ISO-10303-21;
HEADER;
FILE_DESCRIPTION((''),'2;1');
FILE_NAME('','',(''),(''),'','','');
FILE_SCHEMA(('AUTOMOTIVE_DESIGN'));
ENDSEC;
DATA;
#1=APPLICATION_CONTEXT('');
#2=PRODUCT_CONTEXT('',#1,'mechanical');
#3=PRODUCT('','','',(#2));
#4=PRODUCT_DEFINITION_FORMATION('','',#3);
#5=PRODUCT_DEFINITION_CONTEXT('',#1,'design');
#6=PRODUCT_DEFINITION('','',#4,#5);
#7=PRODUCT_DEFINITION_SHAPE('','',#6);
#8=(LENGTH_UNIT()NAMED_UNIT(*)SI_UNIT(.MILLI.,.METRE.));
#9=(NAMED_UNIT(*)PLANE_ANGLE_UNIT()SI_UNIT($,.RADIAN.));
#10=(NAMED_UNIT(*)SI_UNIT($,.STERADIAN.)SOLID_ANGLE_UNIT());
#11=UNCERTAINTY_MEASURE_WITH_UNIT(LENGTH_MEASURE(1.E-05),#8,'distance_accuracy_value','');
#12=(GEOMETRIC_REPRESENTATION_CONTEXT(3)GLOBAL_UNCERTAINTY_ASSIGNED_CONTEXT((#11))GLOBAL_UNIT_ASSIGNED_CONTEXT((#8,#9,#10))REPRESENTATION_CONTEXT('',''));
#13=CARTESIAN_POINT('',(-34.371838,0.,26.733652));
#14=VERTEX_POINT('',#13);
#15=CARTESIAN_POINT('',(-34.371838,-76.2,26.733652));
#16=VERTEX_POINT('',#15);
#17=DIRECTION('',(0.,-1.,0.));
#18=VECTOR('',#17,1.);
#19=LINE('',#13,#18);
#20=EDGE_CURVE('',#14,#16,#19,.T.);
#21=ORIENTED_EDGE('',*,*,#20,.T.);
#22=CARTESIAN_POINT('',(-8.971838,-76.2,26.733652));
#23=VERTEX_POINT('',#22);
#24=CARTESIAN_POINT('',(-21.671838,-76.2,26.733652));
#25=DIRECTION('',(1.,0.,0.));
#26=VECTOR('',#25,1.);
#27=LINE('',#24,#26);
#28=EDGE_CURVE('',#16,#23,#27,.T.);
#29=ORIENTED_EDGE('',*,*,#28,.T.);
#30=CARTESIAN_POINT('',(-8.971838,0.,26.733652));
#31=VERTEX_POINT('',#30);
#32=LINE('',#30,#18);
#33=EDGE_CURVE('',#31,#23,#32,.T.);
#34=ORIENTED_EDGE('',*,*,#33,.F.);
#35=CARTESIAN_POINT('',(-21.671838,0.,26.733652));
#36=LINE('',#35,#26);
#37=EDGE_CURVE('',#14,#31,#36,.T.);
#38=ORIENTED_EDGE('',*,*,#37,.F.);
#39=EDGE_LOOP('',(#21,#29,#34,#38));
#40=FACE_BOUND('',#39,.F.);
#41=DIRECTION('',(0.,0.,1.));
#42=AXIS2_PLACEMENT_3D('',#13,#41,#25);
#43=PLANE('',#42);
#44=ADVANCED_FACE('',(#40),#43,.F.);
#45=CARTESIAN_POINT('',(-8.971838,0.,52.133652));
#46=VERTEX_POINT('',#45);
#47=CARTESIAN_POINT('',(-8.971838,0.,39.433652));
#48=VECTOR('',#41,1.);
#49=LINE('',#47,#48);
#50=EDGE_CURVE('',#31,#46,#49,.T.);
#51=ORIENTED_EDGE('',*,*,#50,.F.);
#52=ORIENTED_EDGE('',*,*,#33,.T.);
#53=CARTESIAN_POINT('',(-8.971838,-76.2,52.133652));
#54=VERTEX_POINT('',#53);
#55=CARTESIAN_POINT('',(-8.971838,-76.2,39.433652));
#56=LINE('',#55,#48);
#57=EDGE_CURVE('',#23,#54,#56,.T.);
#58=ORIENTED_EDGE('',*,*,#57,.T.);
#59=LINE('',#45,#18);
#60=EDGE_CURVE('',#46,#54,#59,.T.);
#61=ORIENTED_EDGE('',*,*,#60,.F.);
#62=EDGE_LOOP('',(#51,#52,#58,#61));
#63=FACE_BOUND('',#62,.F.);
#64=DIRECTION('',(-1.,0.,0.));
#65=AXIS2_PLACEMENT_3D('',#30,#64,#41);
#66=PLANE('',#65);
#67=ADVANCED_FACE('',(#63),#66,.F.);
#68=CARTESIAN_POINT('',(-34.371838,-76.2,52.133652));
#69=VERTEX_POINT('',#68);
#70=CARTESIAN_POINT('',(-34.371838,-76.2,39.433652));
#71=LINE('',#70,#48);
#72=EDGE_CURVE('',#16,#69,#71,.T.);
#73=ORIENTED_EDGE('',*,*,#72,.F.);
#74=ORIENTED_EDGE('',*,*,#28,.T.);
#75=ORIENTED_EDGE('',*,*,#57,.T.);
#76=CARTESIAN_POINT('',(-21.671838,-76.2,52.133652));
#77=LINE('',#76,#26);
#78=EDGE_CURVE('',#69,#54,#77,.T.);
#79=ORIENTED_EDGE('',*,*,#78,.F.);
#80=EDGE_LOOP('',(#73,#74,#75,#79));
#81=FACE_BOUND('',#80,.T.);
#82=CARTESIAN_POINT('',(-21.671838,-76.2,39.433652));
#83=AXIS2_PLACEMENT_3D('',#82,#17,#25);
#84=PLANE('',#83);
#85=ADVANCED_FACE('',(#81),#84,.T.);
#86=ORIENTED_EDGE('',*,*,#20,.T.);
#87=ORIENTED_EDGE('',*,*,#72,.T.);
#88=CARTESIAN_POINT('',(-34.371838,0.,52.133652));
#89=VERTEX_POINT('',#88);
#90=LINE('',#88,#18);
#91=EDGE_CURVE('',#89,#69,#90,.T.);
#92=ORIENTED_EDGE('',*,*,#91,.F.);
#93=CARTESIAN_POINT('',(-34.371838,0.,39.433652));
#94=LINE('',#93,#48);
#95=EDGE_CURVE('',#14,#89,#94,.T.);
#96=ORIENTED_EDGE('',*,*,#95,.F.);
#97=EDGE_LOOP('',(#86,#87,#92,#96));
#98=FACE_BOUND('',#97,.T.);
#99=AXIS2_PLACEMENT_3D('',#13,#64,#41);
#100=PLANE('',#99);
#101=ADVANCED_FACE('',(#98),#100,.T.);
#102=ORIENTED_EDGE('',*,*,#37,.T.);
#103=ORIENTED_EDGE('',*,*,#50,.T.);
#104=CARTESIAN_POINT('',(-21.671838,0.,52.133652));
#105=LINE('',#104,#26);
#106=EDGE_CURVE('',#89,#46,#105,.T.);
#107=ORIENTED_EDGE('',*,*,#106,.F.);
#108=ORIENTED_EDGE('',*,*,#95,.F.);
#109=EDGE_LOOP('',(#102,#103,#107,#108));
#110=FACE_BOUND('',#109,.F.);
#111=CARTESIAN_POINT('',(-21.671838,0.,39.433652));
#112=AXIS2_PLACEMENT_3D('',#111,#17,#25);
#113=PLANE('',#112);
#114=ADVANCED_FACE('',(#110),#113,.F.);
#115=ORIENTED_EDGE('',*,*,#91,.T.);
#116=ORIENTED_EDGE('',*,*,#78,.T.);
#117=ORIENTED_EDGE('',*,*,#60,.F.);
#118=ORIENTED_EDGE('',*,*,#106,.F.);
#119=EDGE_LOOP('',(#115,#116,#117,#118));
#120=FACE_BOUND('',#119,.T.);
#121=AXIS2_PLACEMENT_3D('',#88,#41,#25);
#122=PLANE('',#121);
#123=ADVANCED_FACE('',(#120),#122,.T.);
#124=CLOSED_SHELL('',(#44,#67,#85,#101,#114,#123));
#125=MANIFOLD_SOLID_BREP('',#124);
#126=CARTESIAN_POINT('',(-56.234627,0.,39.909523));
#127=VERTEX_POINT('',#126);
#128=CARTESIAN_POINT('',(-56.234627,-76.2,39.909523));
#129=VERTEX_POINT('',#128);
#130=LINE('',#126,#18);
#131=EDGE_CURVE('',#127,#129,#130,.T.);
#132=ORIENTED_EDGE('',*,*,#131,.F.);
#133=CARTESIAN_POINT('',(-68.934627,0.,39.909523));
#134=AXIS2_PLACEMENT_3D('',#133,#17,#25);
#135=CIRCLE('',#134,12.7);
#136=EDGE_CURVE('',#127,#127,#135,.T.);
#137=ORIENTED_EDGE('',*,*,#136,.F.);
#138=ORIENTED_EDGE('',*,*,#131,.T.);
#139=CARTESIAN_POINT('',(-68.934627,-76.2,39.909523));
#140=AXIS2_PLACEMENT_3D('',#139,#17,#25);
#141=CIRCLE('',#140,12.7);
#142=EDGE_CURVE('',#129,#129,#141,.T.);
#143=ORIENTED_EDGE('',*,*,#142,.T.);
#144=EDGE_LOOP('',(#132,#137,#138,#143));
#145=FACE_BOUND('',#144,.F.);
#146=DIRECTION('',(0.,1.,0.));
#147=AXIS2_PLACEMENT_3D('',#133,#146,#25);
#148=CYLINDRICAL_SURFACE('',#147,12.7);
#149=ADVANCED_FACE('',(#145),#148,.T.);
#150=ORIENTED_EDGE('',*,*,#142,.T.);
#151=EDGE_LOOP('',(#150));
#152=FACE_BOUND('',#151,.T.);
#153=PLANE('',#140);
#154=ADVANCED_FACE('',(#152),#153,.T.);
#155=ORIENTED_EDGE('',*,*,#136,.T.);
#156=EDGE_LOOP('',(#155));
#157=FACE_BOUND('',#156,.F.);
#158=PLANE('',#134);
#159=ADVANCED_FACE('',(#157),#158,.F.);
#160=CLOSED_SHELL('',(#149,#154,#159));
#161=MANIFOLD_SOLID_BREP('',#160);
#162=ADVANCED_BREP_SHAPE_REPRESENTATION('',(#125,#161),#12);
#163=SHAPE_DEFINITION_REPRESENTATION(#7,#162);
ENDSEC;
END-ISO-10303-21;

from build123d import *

# Parameters (mm, degrees)
F0_R     = 12.7
F0_W     = 25.4
F0_H     = 25.4
F1_DEPTH = 76.2


with BuildPart() as f1:
    # F0 (on Front) → F1 (new body)
    with BuildSketch(Plane.XZ):
        with Locations((-68.934627, 39.909523)):
            Circle(F0_R)
        with Locations((-21.671838, 39.433652)):
            Rectangle(F0_W, F0_H)
    extrude(amount=F1_DEPTH)


solid = f1.part
